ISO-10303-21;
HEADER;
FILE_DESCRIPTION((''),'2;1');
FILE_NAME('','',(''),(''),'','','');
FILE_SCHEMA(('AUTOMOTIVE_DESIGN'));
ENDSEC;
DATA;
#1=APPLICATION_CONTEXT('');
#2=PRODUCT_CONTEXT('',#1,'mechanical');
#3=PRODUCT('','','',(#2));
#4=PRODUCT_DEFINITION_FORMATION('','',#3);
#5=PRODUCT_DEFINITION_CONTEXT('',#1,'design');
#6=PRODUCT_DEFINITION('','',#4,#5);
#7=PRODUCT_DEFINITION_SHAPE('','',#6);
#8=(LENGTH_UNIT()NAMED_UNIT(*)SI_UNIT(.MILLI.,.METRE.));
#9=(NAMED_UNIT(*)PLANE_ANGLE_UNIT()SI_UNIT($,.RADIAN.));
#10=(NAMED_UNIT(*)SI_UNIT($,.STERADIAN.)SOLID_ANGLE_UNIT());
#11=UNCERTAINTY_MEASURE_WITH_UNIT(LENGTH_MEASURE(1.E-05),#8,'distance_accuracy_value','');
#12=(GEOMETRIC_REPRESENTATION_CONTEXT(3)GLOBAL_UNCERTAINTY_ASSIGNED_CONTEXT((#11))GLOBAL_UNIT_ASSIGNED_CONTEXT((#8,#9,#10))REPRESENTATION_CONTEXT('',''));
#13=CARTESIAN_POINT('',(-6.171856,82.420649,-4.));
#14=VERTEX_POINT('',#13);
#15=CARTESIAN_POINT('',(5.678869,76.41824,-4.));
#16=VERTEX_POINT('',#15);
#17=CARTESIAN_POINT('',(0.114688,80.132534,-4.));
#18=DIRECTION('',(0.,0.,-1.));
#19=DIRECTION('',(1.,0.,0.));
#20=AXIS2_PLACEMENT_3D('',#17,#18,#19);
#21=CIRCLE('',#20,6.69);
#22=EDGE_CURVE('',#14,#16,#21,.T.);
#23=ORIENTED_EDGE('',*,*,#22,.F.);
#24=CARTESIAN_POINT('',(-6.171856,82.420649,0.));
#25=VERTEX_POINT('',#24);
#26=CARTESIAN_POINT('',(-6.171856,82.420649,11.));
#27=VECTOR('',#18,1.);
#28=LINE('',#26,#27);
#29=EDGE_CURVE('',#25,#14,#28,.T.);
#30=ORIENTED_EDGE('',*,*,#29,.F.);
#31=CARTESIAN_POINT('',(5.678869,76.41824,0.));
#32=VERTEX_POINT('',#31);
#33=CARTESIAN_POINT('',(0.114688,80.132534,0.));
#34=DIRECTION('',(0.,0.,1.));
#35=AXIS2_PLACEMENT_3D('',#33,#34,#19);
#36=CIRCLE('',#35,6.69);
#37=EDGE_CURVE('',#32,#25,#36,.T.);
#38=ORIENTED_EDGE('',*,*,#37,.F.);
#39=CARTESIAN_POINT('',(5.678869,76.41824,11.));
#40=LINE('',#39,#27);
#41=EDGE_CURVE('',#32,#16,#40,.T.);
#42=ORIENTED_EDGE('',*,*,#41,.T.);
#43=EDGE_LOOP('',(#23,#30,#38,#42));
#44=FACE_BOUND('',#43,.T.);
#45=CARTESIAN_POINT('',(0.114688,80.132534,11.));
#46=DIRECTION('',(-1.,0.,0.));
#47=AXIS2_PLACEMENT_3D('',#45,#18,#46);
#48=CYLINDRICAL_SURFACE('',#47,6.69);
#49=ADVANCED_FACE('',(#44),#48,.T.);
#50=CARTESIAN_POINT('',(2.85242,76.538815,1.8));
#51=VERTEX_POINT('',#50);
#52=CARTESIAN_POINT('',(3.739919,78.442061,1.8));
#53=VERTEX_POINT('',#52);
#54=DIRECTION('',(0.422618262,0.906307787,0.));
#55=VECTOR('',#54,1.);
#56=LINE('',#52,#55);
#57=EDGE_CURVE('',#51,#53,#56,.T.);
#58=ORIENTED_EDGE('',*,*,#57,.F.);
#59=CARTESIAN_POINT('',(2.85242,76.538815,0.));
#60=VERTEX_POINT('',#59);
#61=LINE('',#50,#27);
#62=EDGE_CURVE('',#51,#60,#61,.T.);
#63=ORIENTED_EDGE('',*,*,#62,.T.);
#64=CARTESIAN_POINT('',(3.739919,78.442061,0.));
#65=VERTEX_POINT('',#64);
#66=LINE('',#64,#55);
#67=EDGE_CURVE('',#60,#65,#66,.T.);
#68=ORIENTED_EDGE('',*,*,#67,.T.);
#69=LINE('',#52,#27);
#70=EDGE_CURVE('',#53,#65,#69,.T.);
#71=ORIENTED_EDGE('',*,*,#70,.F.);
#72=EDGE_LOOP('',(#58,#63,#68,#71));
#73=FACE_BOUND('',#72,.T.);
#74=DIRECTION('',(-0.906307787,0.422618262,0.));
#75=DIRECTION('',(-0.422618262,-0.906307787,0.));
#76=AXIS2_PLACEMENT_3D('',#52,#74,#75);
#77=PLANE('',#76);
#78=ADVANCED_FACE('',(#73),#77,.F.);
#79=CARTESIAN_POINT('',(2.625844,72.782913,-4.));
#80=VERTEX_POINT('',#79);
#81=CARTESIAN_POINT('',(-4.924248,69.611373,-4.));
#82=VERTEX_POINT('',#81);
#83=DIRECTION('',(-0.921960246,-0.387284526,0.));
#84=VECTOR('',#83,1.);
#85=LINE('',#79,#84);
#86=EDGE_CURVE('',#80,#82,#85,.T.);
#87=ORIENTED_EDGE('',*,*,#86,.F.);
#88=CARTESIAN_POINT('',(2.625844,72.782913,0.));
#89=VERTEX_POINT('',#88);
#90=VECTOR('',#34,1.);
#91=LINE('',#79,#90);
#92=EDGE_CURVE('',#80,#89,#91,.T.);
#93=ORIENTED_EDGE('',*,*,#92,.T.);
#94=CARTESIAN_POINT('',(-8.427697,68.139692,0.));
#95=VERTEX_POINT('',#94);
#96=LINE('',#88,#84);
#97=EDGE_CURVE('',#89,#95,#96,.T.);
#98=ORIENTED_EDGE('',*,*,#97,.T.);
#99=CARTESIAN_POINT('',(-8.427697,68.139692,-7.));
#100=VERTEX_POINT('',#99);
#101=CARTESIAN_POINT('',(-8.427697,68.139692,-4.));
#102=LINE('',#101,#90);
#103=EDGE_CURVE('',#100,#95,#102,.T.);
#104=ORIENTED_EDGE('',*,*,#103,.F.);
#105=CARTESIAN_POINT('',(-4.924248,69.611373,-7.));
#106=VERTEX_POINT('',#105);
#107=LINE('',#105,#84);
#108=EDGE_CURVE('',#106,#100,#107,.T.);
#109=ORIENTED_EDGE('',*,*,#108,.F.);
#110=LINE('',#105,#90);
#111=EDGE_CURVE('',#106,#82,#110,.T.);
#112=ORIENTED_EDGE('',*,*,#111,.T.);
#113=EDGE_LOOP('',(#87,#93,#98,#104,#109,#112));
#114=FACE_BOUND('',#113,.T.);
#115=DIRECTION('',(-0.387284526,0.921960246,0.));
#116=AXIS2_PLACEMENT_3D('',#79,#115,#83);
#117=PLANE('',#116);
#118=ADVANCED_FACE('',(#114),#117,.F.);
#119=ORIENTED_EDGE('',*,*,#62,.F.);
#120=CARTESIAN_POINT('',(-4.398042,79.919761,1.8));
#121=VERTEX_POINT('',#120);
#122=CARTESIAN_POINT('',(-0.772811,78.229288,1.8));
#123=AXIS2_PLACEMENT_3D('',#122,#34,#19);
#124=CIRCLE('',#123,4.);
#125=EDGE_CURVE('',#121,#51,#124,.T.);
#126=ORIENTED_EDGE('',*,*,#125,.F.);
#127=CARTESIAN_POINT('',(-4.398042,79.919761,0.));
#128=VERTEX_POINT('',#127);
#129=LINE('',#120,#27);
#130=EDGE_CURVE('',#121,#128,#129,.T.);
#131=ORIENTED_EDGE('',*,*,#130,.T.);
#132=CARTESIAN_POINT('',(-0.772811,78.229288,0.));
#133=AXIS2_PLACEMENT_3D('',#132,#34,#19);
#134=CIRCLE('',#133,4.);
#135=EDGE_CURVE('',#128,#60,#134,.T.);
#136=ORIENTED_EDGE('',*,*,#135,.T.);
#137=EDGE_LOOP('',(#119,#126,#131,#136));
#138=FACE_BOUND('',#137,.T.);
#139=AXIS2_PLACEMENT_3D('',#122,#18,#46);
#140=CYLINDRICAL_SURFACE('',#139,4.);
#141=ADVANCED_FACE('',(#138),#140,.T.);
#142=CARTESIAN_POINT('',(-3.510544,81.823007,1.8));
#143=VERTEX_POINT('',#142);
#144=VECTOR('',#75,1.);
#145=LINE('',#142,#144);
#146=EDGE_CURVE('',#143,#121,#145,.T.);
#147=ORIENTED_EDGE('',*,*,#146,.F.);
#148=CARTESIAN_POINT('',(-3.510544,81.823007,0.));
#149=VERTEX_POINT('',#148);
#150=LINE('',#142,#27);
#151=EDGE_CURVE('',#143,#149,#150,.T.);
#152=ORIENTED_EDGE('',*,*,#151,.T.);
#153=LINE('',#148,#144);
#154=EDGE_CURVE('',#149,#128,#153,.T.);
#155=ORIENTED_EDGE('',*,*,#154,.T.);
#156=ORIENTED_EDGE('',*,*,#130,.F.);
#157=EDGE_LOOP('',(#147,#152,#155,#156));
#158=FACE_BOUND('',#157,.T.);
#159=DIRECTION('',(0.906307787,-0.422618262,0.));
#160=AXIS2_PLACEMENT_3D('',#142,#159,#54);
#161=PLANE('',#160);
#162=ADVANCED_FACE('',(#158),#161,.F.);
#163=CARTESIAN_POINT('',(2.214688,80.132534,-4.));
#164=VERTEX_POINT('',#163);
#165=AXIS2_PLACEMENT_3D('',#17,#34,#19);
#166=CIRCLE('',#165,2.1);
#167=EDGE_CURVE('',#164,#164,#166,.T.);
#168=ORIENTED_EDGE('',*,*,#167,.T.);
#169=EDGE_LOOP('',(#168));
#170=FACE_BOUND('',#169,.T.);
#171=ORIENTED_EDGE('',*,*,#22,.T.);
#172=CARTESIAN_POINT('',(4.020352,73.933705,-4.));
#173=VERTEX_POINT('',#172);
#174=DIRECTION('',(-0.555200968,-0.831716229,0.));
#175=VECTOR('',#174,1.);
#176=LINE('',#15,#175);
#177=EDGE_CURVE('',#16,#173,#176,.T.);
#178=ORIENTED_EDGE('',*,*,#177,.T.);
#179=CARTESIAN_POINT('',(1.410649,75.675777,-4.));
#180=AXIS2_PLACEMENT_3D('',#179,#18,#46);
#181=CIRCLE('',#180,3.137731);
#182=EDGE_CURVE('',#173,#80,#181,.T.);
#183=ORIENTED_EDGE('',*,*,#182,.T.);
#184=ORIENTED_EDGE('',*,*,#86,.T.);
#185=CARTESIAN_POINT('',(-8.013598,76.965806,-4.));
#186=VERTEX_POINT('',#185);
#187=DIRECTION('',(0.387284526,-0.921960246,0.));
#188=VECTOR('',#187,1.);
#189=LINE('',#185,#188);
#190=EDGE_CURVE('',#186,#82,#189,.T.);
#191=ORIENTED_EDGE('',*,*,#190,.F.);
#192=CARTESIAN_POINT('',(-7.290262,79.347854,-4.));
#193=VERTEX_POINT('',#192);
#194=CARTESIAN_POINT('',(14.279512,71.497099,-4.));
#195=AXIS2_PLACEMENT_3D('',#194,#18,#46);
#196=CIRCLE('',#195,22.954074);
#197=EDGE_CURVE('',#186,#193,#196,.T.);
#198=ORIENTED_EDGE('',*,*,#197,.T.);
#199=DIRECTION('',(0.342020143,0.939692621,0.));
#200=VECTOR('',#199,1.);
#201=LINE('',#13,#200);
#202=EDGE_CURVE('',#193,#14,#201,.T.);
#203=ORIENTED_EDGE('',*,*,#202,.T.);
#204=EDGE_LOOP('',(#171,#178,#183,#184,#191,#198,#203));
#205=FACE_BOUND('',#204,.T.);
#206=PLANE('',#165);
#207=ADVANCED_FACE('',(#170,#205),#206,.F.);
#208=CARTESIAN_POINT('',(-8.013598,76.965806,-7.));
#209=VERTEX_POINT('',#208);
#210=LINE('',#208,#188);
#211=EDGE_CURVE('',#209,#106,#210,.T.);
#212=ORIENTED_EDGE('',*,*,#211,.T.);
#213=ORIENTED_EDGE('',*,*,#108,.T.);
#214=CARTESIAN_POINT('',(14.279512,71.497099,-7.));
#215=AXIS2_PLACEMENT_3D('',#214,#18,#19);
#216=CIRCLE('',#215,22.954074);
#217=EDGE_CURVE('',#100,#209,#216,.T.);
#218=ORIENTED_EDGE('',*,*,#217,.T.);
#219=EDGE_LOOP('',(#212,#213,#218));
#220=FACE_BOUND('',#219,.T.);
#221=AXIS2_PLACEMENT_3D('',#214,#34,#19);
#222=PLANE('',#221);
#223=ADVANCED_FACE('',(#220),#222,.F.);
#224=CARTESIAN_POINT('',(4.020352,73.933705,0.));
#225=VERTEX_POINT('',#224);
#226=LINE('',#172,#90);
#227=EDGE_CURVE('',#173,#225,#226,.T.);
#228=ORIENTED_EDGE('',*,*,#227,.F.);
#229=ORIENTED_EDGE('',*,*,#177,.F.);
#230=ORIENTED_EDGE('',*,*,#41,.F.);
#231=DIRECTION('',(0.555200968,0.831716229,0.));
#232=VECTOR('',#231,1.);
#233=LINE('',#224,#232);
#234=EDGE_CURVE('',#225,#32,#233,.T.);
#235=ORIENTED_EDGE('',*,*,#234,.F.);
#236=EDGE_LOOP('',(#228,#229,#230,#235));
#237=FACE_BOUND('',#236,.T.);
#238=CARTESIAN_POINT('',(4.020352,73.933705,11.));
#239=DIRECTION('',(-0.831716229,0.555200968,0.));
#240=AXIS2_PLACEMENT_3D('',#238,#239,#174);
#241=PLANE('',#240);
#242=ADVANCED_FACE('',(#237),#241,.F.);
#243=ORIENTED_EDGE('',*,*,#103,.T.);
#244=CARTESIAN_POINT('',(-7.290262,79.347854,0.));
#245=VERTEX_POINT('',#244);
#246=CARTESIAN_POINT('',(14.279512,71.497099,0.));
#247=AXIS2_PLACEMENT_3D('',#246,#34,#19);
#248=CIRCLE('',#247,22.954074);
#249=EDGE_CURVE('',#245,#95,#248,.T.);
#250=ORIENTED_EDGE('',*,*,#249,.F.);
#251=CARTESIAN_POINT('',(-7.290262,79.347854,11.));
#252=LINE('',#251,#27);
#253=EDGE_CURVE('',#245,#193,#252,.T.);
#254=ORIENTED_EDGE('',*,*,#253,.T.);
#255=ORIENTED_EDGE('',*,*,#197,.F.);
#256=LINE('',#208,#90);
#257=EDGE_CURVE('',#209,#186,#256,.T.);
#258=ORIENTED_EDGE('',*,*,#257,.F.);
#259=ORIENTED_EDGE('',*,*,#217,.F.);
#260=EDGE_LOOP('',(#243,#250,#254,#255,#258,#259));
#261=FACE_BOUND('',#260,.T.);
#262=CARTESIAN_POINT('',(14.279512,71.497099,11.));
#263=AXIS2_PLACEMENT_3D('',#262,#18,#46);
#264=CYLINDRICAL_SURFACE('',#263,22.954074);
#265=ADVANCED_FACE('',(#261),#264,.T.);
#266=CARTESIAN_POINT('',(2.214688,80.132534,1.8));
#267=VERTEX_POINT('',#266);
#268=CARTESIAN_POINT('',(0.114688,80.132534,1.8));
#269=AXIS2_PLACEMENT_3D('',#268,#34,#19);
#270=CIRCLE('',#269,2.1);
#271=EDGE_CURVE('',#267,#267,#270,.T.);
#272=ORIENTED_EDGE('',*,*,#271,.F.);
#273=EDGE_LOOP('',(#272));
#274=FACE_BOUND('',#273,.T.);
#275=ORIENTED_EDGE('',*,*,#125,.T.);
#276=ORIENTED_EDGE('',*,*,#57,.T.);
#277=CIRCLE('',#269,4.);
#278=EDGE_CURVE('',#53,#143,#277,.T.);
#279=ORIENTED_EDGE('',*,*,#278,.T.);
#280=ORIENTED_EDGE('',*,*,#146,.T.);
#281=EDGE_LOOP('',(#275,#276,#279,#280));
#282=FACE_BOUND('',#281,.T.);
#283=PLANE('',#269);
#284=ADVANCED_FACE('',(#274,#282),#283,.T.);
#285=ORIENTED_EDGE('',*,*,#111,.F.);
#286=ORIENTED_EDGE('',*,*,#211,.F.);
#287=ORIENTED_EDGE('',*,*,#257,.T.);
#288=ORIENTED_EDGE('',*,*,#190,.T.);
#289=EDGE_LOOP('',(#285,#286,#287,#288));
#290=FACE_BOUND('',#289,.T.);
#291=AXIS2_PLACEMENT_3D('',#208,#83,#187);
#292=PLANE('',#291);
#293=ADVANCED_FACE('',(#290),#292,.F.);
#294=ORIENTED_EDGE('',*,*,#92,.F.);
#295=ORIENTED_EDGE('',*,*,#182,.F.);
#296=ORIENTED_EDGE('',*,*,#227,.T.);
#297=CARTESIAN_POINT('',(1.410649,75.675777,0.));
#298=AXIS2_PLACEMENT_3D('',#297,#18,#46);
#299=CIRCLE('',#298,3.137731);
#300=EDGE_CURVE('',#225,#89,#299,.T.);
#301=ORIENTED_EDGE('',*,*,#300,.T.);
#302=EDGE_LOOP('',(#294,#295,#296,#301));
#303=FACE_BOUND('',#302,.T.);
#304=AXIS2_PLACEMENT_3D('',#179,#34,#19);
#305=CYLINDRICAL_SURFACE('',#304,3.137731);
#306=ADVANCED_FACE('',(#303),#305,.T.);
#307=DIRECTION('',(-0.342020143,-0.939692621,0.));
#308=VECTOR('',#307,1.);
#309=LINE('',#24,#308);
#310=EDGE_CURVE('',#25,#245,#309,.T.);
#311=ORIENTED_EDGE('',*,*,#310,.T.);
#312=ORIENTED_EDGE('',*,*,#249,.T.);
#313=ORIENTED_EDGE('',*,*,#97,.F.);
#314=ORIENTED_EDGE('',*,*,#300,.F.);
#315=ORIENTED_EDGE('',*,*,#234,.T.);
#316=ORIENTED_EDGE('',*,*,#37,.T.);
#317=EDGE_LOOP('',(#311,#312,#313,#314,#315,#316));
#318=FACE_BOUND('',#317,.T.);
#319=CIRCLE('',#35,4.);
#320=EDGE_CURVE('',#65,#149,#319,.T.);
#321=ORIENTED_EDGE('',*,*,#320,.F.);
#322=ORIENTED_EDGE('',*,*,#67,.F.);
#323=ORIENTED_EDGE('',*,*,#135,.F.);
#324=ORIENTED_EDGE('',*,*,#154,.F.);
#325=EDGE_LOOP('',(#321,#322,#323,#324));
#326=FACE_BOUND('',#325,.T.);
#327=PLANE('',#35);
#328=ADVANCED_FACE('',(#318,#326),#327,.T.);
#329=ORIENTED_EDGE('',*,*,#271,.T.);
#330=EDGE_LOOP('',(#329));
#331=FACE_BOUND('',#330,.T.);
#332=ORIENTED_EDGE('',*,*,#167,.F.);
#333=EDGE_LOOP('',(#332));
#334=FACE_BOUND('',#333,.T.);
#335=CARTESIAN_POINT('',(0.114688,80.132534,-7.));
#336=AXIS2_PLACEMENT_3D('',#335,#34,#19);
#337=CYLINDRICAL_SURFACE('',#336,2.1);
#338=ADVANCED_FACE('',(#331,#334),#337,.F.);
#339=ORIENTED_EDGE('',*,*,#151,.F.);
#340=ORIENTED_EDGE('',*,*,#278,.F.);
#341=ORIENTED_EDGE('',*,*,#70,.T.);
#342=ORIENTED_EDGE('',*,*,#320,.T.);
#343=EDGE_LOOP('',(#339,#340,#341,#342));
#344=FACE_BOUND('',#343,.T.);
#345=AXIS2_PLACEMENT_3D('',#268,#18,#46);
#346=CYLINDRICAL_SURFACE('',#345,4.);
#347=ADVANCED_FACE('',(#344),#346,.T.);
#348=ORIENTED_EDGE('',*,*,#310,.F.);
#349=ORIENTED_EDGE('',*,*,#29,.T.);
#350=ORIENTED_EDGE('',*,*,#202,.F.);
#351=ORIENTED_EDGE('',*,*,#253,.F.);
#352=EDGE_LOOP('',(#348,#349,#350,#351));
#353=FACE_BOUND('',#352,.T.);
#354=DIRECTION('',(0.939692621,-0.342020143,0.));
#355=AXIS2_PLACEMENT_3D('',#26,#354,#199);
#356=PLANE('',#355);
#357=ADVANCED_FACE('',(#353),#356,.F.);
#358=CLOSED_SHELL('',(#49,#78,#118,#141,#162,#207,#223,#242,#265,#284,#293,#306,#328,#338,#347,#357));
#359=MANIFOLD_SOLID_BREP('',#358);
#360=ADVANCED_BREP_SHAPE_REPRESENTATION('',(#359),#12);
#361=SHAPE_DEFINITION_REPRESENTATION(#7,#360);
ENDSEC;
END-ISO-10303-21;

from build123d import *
from build123d.topology import SkipClean

# Parameters (mm, degrees)
SKETCH3_R           = 2.75
SKETCH3_R_2         = 2.1
BOSS_EXTRUDE2_DEPTH = 11
BOSS_EXTRUDE4_START = 4
BOSS_EXTRUDE4_DEPTH = 4
BOSS_EXTRUDE3_START = 3
BOSS_EXTRUDE3_DEPTH = 3
SKETCH14_W          = 47.285712055
SKETCH14_H          = 12.595473758
CUT_EXTRUDE1_DEPTH  = 92.326119258
BOSS_EXTRUDE5_DEPTH = 1.8
SKETCH15_R          = 2.1
CUT_EXTRUDE2_DEPTH  = 88.697437271


with BuildPart() as part:
    # Sketch3 → Boss-Extrude2 (new body)
    with BuildSketch(Plane.XY):
        with BuildLine():
            Line((11.81639044, 60.252883085), (11.728372068, 60.311638564))
            ThreePointArc((11.728372068, 60.311638564), (8.917204522, 62.7925154), (6.866230988, 65.931132995))
            ThreePointArc((6.866230988, 65.931132995), (6.025591445, 67.274340702), (4.901176311, 68.390840765))
            ThreePointArc((4.901176311, 68.390840765), (3.375934297, 70.989881123), (4.020351516, 73.93370524))
            Line((4.020351516, 73.93370524), (5.678869184, 76.41823992))
            ThreePointArc((5.678869184, 76.41823992), (3.137547336, 86.100651278), (-6.171856019, 82.420649156))
            Line((-6.171856019, 82.420649156), (-7.290261888, 79.347854286))
            ThreePointArc((-7.290261888, 79.347854286), (-8.557893098, 69.185727028), (-5.279809822, 59.483671095))
            ThreePointArc((-5.279809822, 59.483671095), (-2.848156457, 57.139360441), (0.414833066, 56.266646336))
            ThreePointArc((0.414833066, 56.266646336), (3.287818882, 55.822166382), (5.91364728, 54.574514525))
            Line((5.91364728, 54.574514525), (7.374782695, 53.599153256))
            ThreePointArc((7.374782695, 53.599153256), (10.815902262, 50.678650143), (13.499590609, 47.049812979))
            ThreePointArc((13.499590609, 47.049812979), (24.965953819, 46.665736496), (20.21385057, 57.108078892))
            ThreePointArc((20.21385057, 57.108078892), (15.833272198, 58.194897845), (11.81639044, 60.252883085))
        make_face()
        with Locations((19.351869275, 50.413343031)):
            Circle(SKETCH3_R, mode=Mode.SUBTRACT)
        with Locations((0.471910886, 63.016405008)):
            Circle(SKETCH3_R, mode=Mode.SUBTRACT)
        with Locations((0.114687614, 80.132534397)):
            Circle(SKETCH3_R_2, mode=Mode.SUBTRACT)
    extrude(amount=BOSS_EXTRUDE2_DEPTH)

    # Sketch13 → Boss-Extrude4 (add)
    with SkipClean():  # the faces are left unmerged after this step: merging them gives an invalid solid
        with BuildSketch(Plane(origin=(0, 0, 0), x_dir=(-1, 0, 0), z_dir=(0, 0, -1)).offset(BOSS_EXTRUDE4_START)):
            with BuildLine():
                Line((-5.678869184, 76.41823992), (-4.020351516, 73.93370524))
                ThreePointArc((-4.020351516, 73.93370524), (-3.407782277, 73.255690271), (-2.625844204, 72.782913134))
                Line((-2.625844204, 72.782913134), (8.427696777, 68.139691908))
                ThreePointArc((8.427696777, 68.139691908), (8.557268078, 73.814637343), (7.290261888, 79.347854286))
                Line((7.290261888, 79.347854286), (6.171856019, 82.420649156))
                ThreePointArc((6.171856019, 82.420649156), (-3.137547336, 86.100651278), (-5.678869184, 76.41823992))
            make_face()
        extrude(amount=-BOSS_EXTRUDE4_DEPTH)

    # Sketch12 → Boss-Extrude3 (add)
    with SkipClean():  # the faces are left unmerged after this step: merging them gives an invalid solid
        with BuildSketch(Plane(origin=(0, 0, -4), x_dir=(-1, 0, 0), z_dir=(0, 0, -1)).offset(BOSS_EXTRUDE3_START)):
            with BuildLine():
                Line((8.013597957, 76.965805827), (4.924247842, 69.611373108))
                Line((4.924247842, 69.611373108), (8.427696777, 68.139691908))
                ThreePointArc((8.427696777, 68.139691908), (8.649339764, 72.572862025), (8.013597957, 76.965805827))
            make_face()
        extrude(amount=-BOSS_EXTRUDE3_DEPTH)

    # Sketch14 → Cut-Extrude1 (cut, through all)
    with BuildSketch(Plane(origin=(0, 0, 0), x_dir=(1, 0, 0), z_dir=(0, 1, 0))):
        with Locations((8.412006537, -6.297736879)):
            Rectangle(SKETCH14_W, SKETCH14_H)
    extrude(amount=CUT_EXTRUDE1_DEPTH, mode=Mode.SUBTRACT)

    # Sketch16 → Boss-Extrude5 (add)
    with BuildSketch(Plane.XY):
        with BuildLine():
            Line((3.739918762, 78.44206135), (2.852420412, 76.538814997))
            ThreePointArc((2.852420412, 76.538814997), (-2.463283783, 74.604056896), (-4.398041884, 79.919761091))
            Line((-4.398041884, 79.919761091), (-3.510543534, 81.823007444))
            ThreePointArc((-3.510543534, 81.823007444), (1.805160661, 83.757765545), (3.739918762, 78.44206135))
        make_face()
    extrude(amount=BOSS_EXTRUDE5_DEPTH)

    # Sketch15 → Cut-Extrude2 (cut, through all)
    with BuildSketch(Plane.XY.offset(1.8)):
        with Locations((0.114687614, 80.132534397)):
            Circle(SKETCH15_R)
    extrude(amount=-CUT_EXTRUDE2_DEPTH, mode=Mode.SUBTRACT)


solid = part.part
